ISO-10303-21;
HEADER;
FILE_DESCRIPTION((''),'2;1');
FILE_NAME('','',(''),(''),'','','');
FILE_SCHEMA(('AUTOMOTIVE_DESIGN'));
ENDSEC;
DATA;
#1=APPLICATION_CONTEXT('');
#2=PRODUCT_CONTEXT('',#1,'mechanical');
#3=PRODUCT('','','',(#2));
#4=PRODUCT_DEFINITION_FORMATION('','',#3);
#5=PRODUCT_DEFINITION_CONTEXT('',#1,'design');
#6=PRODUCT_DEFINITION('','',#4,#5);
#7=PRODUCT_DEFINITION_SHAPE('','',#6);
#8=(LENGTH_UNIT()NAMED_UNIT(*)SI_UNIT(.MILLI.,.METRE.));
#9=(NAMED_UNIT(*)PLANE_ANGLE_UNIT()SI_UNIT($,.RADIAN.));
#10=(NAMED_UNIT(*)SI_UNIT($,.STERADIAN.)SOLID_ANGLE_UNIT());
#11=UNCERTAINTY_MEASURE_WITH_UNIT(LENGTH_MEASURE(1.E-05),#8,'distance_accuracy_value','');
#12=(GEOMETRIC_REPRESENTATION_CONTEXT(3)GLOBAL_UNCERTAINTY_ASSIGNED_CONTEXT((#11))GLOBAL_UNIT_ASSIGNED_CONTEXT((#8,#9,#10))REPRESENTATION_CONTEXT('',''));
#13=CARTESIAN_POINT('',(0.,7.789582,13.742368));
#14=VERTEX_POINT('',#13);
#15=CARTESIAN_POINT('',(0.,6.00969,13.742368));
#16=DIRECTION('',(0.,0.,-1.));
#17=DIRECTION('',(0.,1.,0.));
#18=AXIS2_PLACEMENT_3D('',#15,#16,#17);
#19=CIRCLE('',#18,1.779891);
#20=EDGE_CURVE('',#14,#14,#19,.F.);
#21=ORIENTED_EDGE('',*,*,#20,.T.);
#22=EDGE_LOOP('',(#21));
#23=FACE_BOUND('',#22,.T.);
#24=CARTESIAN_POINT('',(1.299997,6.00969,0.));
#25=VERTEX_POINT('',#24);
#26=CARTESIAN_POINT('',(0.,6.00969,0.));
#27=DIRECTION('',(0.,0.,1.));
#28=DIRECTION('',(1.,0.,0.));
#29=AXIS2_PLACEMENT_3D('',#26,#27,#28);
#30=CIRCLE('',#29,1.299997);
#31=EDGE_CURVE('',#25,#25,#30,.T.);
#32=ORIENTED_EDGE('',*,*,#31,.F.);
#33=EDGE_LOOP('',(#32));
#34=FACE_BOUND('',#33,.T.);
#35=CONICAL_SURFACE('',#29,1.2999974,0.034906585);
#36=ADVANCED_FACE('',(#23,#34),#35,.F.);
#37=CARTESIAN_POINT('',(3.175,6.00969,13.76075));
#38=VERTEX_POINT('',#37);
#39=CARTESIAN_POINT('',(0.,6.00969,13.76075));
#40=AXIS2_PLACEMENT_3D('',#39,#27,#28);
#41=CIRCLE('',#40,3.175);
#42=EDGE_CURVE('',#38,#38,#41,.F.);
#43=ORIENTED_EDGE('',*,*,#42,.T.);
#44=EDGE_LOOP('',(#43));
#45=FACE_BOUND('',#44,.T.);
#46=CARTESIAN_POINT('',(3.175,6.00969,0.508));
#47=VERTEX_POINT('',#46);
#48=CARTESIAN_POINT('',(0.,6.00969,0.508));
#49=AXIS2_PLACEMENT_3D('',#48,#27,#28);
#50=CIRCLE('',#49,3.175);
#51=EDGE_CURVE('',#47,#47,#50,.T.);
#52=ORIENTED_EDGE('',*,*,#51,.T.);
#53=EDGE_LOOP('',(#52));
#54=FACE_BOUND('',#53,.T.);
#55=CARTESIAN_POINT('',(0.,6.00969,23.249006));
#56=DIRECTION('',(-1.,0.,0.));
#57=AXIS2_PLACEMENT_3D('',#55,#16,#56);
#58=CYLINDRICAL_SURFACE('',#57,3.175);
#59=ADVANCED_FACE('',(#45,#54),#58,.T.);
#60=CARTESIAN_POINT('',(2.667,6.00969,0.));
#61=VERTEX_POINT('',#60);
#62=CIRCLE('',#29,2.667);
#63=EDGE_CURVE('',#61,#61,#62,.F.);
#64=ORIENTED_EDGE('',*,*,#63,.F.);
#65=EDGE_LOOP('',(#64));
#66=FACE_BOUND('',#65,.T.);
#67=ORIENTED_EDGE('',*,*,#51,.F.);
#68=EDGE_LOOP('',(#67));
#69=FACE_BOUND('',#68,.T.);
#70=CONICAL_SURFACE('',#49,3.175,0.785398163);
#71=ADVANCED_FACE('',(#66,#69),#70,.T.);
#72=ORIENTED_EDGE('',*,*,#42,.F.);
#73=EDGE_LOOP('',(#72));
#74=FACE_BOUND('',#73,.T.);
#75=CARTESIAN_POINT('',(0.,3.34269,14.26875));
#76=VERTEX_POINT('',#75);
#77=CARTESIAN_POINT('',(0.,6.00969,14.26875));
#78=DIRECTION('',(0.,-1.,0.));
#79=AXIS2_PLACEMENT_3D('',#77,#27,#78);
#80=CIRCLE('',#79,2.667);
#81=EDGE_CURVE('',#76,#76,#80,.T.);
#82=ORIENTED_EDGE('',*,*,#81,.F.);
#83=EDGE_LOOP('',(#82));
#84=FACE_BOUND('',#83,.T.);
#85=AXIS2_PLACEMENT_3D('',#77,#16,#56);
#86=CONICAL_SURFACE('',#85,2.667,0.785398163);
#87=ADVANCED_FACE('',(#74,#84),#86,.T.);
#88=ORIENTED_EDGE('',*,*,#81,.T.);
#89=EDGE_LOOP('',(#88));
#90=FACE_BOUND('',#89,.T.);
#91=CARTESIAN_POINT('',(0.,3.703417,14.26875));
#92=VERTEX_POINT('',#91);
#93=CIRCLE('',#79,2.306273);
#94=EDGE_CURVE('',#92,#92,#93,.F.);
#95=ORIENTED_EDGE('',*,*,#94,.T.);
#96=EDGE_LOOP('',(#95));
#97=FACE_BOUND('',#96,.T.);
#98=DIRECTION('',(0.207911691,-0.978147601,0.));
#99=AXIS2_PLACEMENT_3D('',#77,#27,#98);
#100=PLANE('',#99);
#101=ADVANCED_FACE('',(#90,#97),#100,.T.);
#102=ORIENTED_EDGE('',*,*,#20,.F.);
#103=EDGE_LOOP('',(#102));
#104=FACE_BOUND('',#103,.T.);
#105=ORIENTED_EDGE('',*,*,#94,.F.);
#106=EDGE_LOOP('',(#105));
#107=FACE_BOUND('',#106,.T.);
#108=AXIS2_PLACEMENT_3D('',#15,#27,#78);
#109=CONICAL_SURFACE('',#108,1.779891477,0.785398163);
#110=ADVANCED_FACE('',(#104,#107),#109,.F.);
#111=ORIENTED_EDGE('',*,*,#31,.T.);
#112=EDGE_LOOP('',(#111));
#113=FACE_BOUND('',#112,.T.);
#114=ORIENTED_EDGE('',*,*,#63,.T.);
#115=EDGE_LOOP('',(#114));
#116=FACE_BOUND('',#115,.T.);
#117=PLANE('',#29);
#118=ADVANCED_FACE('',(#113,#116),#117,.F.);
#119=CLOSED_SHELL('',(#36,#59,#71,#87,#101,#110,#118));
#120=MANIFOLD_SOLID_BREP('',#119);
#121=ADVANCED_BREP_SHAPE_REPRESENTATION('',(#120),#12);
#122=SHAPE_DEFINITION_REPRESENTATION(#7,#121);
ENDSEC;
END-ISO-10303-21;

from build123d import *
from OCP.BRepFilletAPI import BRepFilletAPI_MakeChamfer

# Parameters (mm, degrees)
SKETCH1_R           = 3.175
SKETCH1_R_2         = 1.2999974
BOSS_EXTRUDE1_DEPTH = 14.26875
DRAFT2_ANGLE        = -2
CHAMFER1_SIZE       = 0.508
CHAMFER1_SIZE2      = 0.526702505


with BuildPart() as part:
    # Sketch1 → Boss-Extrude1 (new body)
    with BuildSketch(Plane.XY):
        with Locations(Location((0, 6.009690382, 0), (0, 0, 270))):
            Circle(SKETCH1_R)
        with Locations(Location((0, 6.009690382, 0), (0, 0, 270))):
            Circle(SKETCH1_R_2, mode=Mode.SUBTRACT)
    extrude(amount=BOSS_EXTRUDE1_DEPTH)

    # Draft2
    draft2_faces = [part.faces().sort_by_distance(p)[0] for p in [
        (0, 7.309687782, 7.134375),
    ]]
    draft(draft2_faces, Plane(origin=(0, 6.009690382, 0), x_dir=(-1, 0, 0), z_dir=(0, 0, -1)), DRAFT2_ANGLE)

    # Chamfer1: one chamfer whose edges measure the first distance from different faces: ONE call of the kernel's chamfer builder (chamfer() names one face for all edges)
    chamfer1_edges_1 = [part.edges().sort_by_distance(p)[0] for p in [
        (0, 9.184690382, 14.26875),
        (0, 9.184690382, 0),
    ]]
    chamfer1_edges_2 = [part.edges().sort_by_distance(p)[0] for p in [
        (0, 7.807963512, 14.26875),
    ]]
    chamfer1_side_2 = [part.faces().sort_by_distance(p)[0] for p in [
        (0, 9.094887821, 14.26875),
    ]]
    chamfer1 = BRepFilletAPI_MakeChamfer(part.part.solid().wrapped)
    for e in chamfer1_edges_1:
        chamfer1.Add(CHAMFER1_SIZE, e.wrapped)
    for e in chamfer1_edges_2:
        chamfer1.Add(CHAMFER1_SIZE, CHAMFER1_SIZE2, e.wrapped, chamfer1_side_2[0].wrapped)  # the first distance lies on this face
    add(Compound.cast(chamfer1.Shape()), mode=Mode.REPLACE)


solid = part.part
